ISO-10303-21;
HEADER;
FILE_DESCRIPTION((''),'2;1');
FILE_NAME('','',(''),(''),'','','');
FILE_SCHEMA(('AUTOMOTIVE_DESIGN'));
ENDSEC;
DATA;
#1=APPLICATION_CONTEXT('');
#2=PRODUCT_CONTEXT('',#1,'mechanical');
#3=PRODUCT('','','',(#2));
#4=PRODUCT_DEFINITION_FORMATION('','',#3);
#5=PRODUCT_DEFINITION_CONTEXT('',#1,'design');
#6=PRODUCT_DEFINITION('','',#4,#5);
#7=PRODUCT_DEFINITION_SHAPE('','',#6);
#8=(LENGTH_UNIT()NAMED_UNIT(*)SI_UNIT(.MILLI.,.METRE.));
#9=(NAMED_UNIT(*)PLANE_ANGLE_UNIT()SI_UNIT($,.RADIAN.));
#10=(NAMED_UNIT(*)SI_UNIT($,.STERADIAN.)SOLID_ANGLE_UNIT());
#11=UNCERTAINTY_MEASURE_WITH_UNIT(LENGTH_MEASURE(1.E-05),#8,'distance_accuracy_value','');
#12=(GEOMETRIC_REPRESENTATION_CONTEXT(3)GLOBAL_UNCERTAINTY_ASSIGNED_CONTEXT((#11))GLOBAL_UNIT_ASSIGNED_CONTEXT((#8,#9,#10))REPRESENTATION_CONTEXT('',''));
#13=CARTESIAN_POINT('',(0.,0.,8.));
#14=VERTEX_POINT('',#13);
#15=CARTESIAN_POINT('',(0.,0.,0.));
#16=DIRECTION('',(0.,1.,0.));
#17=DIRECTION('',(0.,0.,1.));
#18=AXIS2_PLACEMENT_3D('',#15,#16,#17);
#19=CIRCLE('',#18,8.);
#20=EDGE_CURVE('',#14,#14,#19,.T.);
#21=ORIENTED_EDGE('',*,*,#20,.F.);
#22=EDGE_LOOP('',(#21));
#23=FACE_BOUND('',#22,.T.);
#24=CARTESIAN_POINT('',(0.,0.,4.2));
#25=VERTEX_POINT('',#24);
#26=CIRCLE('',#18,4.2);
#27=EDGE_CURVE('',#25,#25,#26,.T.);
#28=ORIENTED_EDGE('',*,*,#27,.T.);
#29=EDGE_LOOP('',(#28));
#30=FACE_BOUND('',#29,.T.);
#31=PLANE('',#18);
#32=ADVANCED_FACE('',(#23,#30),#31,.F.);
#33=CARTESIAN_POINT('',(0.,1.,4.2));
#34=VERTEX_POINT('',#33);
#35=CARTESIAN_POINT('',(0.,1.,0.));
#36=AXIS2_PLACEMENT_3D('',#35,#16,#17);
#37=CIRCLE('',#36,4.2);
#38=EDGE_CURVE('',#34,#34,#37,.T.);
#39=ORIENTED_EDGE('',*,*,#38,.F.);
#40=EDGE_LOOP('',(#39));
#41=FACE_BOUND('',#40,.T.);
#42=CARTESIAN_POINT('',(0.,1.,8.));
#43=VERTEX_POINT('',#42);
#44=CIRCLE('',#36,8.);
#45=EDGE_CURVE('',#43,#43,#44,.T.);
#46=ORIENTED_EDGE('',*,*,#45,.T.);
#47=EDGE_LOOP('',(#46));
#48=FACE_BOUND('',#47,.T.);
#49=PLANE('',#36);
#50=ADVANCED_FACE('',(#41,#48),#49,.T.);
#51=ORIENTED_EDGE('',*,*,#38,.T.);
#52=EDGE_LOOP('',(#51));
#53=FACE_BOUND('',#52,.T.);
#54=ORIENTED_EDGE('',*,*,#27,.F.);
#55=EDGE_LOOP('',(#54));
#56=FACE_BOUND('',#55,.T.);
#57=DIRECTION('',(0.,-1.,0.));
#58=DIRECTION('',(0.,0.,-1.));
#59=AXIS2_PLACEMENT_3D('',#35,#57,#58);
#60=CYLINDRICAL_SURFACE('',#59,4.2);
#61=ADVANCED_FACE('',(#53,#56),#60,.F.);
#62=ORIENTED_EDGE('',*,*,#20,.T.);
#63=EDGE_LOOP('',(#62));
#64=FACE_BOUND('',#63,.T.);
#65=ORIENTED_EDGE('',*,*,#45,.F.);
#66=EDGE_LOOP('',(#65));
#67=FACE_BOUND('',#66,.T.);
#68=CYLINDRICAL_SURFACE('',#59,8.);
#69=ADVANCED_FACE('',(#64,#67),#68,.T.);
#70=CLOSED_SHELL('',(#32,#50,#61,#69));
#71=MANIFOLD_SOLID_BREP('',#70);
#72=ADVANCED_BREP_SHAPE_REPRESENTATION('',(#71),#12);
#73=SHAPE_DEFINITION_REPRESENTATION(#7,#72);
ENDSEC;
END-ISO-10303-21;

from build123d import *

# Parameters (mm, degrees)
SKETCH1_R           = 8
SKETCH1_R_2         = 4.2
BOSS_EXTRUDE1_DEPTH = 1


with BuildPart() as part:
    # Sketch1 → Boss-Extrude1 (new body)
    with BuildSketch(Plane(origin=(0, 0, 0), x_dir=(1, 0, 0), z_dir=(0, 1, 0))):
        with Locations(Location((0, 0, 0), (0, 0, 270))):
            Circle(SKETCH1_R)
        with Locations(Location((0, 0, 0), (0, 0, 270))):
            Circle(SKETCH1_R_2, mode=Mode.SUBTRACT)
    extrude(amount=BOSS_EXTRUDE1_DEPTH)


solid = part.part
